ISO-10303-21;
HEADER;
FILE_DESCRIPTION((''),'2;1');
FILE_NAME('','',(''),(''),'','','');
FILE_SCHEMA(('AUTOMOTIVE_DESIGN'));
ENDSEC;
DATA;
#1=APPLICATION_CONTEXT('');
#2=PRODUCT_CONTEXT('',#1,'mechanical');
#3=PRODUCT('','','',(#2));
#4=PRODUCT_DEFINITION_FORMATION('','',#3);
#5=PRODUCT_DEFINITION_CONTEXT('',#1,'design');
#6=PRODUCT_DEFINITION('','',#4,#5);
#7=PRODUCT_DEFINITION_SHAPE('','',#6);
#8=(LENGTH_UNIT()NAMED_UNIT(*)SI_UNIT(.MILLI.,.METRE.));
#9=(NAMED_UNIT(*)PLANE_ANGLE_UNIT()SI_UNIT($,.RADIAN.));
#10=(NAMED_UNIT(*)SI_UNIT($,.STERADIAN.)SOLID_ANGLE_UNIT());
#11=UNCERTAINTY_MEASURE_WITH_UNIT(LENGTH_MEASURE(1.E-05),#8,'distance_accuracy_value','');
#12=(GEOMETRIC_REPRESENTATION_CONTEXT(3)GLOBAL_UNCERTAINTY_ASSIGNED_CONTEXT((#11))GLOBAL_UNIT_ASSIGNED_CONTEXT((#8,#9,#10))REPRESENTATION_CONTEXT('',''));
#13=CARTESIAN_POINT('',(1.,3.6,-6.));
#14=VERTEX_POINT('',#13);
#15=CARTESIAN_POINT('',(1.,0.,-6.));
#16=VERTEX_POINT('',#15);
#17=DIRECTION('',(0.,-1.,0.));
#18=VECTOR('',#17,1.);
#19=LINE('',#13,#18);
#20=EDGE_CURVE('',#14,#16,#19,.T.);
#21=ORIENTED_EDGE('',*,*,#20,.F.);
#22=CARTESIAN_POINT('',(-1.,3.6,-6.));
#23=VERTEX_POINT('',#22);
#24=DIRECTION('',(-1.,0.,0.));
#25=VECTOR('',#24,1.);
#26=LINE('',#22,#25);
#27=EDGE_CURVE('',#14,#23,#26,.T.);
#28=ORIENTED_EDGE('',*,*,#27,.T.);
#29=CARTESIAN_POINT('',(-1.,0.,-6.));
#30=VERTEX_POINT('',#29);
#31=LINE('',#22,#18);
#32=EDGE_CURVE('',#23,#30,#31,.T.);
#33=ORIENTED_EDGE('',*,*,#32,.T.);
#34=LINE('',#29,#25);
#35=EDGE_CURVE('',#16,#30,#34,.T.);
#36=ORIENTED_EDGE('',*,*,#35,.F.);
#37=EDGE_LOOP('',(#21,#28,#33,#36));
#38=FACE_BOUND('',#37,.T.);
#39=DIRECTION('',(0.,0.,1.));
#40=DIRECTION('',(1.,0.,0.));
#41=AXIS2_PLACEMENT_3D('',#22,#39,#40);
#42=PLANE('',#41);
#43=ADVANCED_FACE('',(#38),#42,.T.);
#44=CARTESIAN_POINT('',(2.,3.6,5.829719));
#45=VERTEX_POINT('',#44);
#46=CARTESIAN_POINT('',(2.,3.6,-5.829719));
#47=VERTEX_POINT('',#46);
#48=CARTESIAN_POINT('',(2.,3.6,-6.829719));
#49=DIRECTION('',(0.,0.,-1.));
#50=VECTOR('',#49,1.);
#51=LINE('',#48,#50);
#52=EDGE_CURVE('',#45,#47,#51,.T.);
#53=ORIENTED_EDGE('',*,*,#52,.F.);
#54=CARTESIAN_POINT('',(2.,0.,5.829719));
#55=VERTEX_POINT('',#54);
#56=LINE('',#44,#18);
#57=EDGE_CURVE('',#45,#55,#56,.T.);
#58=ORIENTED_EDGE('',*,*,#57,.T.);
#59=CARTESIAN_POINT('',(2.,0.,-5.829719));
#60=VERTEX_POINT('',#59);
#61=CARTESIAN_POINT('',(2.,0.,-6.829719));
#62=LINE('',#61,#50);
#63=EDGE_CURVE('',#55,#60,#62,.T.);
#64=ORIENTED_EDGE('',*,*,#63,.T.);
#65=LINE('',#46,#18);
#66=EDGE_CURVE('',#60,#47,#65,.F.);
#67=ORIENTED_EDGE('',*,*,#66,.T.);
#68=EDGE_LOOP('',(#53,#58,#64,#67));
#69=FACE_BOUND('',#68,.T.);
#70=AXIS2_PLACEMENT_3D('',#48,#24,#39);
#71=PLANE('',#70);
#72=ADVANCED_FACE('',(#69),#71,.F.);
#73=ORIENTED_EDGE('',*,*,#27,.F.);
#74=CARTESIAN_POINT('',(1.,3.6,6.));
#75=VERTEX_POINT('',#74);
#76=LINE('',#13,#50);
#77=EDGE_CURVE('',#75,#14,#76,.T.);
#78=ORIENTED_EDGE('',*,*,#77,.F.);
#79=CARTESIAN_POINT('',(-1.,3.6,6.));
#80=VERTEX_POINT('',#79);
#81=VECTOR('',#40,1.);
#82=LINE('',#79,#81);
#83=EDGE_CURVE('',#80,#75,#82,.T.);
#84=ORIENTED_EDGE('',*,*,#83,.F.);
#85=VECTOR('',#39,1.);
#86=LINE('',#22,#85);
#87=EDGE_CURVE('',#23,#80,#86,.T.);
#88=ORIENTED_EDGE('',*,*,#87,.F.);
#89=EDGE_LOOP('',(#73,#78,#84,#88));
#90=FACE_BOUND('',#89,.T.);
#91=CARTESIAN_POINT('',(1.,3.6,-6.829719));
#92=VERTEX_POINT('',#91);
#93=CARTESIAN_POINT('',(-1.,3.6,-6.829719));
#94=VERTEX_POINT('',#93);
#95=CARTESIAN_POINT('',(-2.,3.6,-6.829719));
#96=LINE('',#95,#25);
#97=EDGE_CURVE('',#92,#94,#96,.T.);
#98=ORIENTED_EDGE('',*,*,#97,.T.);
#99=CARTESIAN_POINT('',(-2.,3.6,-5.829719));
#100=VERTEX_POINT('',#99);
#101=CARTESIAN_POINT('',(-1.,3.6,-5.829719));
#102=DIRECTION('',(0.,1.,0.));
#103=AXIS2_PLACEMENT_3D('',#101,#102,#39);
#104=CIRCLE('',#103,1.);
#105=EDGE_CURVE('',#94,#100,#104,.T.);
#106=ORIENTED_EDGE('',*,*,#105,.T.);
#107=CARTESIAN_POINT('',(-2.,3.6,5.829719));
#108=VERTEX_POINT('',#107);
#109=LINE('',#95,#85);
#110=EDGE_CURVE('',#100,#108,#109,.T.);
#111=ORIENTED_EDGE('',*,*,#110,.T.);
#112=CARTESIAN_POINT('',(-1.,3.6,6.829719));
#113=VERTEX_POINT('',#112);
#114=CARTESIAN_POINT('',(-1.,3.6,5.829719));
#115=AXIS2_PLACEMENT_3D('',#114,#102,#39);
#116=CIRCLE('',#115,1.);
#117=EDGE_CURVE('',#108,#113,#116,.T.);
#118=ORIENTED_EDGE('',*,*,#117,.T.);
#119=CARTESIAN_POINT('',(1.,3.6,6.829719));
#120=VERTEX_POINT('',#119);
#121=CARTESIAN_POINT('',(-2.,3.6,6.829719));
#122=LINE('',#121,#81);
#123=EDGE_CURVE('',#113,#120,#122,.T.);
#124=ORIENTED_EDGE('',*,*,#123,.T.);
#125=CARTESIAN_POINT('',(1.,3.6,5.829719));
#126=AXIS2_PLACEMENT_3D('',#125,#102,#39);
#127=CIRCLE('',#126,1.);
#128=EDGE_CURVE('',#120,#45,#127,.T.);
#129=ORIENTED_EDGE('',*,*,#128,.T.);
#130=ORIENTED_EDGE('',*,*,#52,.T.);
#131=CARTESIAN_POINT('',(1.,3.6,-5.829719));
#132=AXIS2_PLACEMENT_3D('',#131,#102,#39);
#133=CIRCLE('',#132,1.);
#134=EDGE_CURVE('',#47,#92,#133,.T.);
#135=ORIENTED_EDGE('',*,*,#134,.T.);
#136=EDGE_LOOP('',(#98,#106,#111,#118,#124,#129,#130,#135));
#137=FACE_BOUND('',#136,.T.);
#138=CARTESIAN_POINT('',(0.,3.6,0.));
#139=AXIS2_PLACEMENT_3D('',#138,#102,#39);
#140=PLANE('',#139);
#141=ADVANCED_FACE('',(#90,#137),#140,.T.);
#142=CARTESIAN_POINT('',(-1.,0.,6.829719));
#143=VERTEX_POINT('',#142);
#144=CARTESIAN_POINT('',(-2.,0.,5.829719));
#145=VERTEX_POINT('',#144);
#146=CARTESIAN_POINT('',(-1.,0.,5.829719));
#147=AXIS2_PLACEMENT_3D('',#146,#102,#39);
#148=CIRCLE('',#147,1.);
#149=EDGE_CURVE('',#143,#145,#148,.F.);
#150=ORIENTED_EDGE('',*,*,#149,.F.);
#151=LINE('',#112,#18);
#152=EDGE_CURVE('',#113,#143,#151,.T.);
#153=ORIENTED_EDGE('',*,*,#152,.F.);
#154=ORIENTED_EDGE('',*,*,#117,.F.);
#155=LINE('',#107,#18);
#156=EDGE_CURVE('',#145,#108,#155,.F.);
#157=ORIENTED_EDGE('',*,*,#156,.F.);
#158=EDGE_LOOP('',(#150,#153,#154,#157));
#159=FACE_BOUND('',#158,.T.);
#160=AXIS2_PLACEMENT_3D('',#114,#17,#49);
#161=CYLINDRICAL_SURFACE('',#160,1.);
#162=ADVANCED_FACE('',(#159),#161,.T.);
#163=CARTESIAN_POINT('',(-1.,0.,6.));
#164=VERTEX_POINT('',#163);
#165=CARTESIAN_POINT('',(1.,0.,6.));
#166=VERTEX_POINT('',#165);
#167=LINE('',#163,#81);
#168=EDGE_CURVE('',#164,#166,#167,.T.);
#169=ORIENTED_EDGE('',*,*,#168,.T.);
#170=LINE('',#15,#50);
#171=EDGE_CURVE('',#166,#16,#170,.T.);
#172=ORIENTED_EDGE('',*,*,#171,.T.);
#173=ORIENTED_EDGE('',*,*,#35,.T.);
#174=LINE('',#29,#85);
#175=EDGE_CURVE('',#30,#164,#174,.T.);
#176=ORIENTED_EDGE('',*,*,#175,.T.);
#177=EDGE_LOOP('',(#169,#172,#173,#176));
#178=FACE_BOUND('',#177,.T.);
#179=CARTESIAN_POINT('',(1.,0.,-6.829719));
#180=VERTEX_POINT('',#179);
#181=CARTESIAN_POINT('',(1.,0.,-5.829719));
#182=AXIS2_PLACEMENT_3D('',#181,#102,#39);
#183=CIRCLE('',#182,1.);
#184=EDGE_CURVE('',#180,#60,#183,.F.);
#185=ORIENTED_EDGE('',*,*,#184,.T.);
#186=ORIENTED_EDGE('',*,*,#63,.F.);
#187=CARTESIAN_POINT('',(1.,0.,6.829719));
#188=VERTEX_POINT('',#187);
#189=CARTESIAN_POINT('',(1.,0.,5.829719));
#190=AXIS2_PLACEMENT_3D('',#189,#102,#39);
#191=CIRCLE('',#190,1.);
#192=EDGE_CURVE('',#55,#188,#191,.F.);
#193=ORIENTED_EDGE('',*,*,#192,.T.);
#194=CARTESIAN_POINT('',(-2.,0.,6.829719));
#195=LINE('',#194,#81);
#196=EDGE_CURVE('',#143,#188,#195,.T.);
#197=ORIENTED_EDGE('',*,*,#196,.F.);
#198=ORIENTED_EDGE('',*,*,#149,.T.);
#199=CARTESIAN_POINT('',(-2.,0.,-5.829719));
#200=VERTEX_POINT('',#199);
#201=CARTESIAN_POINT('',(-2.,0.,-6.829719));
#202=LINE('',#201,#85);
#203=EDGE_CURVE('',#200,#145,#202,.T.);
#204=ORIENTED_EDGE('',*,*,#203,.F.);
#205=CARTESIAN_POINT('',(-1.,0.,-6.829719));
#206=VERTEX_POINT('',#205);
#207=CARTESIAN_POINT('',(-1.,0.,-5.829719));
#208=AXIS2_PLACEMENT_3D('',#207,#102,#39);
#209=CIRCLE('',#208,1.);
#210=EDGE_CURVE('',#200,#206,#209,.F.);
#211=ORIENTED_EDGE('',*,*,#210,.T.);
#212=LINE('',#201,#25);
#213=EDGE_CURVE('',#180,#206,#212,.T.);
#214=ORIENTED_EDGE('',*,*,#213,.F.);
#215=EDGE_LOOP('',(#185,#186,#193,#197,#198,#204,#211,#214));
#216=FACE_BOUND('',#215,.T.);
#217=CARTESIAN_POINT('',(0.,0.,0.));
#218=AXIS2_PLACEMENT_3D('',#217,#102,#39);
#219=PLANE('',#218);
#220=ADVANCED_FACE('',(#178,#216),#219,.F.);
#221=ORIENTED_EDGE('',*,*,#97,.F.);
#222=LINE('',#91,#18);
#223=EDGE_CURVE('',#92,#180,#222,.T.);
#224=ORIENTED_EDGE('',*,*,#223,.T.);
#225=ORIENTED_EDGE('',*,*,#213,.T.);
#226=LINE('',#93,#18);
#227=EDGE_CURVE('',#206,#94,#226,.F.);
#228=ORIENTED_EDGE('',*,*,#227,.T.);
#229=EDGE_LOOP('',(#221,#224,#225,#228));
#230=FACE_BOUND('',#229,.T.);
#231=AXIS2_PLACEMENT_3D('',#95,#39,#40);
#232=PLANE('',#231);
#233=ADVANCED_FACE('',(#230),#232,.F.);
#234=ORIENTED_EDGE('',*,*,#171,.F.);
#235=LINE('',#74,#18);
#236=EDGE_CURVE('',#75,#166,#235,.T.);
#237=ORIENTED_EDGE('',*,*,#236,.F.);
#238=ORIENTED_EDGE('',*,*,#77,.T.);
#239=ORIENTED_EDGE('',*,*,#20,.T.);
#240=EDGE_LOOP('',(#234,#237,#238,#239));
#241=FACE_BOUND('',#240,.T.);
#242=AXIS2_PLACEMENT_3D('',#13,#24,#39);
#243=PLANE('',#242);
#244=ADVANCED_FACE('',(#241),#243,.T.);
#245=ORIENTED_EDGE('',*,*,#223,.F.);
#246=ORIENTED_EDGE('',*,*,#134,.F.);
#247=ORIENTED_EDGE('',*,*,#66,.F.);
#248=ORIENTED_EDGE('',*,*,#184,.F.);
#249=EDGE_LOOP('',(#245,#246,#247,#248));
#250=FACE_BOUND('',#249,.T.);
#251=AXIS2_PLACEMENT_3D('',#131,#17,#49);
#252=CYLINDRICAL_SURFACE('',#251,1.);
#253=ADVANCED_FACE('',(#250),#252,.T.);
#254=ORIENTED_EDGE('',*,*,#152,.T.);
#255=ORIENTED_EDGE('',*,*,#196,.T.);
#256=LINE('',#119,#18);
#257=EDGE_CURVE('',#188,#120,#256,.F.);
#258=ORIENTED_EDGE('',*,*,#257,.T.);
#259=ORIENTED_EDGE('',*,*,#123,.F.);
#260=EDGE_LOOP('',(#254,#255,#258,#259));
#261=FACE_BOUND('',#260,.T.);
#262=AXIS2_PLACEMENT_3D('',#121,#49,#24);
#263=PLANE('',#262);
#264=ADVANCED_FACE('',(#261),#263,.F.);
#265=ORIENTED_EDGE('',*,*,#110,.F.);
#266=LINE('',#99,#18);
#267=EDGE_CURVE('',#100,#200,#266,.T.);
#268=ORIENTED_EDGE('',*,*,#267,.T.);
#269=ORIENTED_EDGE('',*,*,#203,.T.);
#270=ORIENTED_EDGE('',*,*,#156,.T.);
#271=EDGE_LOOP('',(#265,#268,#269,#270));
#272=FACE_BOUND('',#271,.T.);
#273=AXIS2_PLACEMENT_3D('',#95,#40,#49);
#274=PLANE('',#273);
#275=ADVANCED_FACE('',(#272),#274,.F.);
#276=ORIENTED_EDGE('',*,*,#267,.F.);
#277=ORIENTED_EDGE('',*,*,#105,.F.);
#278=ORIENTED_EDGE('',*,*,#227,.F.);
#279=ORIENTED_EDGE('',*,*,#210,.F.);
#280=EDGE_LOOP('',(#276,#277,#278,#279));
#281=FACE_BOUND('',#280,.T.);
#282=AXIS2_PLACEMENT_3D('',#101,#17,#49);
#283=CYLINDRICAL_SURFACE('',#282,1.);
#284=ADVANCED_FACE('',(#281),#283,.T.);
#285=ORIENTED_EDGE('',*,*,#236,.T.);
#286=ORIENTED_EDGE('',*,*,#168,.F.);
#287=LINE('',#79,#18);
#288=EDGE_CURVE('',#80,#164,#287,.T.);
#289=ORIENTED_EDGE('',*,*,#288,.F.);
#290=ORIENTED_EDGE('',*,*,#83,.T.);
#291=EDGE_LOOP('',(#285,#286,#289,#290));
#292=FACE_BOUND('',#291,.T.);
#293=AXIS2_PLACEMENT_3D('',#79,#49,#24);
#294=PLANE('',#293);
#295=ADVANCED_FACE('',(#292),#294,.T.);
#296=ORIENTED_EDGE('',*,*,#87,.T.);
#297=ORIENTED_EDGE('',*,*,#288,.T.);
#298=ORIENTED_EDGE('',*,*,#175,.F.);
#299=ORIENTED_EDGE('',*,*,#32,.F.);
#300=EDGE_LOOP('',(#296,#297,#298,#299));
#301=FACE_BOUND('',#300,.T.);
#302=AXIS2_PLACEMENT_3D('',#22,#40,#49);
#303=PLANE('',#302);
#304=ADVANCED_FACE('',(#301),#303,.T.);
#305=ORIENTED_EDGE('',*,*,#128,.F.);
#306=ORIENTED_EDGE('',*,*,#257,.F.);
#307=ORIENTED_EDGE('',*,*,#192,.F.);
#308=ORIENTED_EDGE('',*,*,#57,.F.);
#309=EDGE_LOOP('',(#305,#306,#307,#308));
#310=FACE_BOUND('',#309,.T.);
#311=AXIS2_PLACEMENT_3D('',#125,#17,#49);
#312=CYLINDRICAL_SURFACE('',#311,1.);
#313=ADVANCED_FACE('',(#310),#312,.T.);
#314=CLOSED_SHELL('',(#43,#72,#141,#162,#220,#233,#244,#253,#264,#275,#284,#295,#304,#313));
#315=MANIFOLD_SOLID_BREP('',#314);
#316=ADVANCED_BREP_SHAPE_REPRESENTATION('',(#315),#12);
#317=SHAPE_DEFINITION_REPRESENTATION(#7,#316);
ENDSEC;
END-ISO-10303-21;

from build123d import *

# Parameters (mm, degrees)
SKETCH3_W           = 4
SKETCH3_H           = 13.659438398
SKETCH3_W_2         = 2
SKETCH3_H_2         = 12
BOSS_EXTRUDE3_DEPTH = 3.6
FILLET1_R           = 1


with BuildPart() as part:
    # Sketch3 → Boss-Extrude3 (new body)
    with BuildSketch(Plane(origin=(0, 0, 0), x_dir=(1, 0, 0), z_dir=(0, 1, 0))):
        Rectangle(SKETCH3_W, SKETCH3_H)
        Rectangle(SKETCH3_W_2, SKETCH3_H_2, mode=Mode.SUBTRACT)
    extrude(amount=BOSS_EXTRUDE3_DEPTH)

    # Fillet1
    fillet1_edges = [part.edges().sort_by_distance(p)[0] for p in [
        (2, 1.8, 6.829719199),
        (-2, 1.8, 6.829719199),
        (-2, 1.8, -6.829719199),
        (2, 1.8, -6.829719199),
    ]]
    fillet(fillet1_edges, radius=FILLET1_R)


solid = part.part
